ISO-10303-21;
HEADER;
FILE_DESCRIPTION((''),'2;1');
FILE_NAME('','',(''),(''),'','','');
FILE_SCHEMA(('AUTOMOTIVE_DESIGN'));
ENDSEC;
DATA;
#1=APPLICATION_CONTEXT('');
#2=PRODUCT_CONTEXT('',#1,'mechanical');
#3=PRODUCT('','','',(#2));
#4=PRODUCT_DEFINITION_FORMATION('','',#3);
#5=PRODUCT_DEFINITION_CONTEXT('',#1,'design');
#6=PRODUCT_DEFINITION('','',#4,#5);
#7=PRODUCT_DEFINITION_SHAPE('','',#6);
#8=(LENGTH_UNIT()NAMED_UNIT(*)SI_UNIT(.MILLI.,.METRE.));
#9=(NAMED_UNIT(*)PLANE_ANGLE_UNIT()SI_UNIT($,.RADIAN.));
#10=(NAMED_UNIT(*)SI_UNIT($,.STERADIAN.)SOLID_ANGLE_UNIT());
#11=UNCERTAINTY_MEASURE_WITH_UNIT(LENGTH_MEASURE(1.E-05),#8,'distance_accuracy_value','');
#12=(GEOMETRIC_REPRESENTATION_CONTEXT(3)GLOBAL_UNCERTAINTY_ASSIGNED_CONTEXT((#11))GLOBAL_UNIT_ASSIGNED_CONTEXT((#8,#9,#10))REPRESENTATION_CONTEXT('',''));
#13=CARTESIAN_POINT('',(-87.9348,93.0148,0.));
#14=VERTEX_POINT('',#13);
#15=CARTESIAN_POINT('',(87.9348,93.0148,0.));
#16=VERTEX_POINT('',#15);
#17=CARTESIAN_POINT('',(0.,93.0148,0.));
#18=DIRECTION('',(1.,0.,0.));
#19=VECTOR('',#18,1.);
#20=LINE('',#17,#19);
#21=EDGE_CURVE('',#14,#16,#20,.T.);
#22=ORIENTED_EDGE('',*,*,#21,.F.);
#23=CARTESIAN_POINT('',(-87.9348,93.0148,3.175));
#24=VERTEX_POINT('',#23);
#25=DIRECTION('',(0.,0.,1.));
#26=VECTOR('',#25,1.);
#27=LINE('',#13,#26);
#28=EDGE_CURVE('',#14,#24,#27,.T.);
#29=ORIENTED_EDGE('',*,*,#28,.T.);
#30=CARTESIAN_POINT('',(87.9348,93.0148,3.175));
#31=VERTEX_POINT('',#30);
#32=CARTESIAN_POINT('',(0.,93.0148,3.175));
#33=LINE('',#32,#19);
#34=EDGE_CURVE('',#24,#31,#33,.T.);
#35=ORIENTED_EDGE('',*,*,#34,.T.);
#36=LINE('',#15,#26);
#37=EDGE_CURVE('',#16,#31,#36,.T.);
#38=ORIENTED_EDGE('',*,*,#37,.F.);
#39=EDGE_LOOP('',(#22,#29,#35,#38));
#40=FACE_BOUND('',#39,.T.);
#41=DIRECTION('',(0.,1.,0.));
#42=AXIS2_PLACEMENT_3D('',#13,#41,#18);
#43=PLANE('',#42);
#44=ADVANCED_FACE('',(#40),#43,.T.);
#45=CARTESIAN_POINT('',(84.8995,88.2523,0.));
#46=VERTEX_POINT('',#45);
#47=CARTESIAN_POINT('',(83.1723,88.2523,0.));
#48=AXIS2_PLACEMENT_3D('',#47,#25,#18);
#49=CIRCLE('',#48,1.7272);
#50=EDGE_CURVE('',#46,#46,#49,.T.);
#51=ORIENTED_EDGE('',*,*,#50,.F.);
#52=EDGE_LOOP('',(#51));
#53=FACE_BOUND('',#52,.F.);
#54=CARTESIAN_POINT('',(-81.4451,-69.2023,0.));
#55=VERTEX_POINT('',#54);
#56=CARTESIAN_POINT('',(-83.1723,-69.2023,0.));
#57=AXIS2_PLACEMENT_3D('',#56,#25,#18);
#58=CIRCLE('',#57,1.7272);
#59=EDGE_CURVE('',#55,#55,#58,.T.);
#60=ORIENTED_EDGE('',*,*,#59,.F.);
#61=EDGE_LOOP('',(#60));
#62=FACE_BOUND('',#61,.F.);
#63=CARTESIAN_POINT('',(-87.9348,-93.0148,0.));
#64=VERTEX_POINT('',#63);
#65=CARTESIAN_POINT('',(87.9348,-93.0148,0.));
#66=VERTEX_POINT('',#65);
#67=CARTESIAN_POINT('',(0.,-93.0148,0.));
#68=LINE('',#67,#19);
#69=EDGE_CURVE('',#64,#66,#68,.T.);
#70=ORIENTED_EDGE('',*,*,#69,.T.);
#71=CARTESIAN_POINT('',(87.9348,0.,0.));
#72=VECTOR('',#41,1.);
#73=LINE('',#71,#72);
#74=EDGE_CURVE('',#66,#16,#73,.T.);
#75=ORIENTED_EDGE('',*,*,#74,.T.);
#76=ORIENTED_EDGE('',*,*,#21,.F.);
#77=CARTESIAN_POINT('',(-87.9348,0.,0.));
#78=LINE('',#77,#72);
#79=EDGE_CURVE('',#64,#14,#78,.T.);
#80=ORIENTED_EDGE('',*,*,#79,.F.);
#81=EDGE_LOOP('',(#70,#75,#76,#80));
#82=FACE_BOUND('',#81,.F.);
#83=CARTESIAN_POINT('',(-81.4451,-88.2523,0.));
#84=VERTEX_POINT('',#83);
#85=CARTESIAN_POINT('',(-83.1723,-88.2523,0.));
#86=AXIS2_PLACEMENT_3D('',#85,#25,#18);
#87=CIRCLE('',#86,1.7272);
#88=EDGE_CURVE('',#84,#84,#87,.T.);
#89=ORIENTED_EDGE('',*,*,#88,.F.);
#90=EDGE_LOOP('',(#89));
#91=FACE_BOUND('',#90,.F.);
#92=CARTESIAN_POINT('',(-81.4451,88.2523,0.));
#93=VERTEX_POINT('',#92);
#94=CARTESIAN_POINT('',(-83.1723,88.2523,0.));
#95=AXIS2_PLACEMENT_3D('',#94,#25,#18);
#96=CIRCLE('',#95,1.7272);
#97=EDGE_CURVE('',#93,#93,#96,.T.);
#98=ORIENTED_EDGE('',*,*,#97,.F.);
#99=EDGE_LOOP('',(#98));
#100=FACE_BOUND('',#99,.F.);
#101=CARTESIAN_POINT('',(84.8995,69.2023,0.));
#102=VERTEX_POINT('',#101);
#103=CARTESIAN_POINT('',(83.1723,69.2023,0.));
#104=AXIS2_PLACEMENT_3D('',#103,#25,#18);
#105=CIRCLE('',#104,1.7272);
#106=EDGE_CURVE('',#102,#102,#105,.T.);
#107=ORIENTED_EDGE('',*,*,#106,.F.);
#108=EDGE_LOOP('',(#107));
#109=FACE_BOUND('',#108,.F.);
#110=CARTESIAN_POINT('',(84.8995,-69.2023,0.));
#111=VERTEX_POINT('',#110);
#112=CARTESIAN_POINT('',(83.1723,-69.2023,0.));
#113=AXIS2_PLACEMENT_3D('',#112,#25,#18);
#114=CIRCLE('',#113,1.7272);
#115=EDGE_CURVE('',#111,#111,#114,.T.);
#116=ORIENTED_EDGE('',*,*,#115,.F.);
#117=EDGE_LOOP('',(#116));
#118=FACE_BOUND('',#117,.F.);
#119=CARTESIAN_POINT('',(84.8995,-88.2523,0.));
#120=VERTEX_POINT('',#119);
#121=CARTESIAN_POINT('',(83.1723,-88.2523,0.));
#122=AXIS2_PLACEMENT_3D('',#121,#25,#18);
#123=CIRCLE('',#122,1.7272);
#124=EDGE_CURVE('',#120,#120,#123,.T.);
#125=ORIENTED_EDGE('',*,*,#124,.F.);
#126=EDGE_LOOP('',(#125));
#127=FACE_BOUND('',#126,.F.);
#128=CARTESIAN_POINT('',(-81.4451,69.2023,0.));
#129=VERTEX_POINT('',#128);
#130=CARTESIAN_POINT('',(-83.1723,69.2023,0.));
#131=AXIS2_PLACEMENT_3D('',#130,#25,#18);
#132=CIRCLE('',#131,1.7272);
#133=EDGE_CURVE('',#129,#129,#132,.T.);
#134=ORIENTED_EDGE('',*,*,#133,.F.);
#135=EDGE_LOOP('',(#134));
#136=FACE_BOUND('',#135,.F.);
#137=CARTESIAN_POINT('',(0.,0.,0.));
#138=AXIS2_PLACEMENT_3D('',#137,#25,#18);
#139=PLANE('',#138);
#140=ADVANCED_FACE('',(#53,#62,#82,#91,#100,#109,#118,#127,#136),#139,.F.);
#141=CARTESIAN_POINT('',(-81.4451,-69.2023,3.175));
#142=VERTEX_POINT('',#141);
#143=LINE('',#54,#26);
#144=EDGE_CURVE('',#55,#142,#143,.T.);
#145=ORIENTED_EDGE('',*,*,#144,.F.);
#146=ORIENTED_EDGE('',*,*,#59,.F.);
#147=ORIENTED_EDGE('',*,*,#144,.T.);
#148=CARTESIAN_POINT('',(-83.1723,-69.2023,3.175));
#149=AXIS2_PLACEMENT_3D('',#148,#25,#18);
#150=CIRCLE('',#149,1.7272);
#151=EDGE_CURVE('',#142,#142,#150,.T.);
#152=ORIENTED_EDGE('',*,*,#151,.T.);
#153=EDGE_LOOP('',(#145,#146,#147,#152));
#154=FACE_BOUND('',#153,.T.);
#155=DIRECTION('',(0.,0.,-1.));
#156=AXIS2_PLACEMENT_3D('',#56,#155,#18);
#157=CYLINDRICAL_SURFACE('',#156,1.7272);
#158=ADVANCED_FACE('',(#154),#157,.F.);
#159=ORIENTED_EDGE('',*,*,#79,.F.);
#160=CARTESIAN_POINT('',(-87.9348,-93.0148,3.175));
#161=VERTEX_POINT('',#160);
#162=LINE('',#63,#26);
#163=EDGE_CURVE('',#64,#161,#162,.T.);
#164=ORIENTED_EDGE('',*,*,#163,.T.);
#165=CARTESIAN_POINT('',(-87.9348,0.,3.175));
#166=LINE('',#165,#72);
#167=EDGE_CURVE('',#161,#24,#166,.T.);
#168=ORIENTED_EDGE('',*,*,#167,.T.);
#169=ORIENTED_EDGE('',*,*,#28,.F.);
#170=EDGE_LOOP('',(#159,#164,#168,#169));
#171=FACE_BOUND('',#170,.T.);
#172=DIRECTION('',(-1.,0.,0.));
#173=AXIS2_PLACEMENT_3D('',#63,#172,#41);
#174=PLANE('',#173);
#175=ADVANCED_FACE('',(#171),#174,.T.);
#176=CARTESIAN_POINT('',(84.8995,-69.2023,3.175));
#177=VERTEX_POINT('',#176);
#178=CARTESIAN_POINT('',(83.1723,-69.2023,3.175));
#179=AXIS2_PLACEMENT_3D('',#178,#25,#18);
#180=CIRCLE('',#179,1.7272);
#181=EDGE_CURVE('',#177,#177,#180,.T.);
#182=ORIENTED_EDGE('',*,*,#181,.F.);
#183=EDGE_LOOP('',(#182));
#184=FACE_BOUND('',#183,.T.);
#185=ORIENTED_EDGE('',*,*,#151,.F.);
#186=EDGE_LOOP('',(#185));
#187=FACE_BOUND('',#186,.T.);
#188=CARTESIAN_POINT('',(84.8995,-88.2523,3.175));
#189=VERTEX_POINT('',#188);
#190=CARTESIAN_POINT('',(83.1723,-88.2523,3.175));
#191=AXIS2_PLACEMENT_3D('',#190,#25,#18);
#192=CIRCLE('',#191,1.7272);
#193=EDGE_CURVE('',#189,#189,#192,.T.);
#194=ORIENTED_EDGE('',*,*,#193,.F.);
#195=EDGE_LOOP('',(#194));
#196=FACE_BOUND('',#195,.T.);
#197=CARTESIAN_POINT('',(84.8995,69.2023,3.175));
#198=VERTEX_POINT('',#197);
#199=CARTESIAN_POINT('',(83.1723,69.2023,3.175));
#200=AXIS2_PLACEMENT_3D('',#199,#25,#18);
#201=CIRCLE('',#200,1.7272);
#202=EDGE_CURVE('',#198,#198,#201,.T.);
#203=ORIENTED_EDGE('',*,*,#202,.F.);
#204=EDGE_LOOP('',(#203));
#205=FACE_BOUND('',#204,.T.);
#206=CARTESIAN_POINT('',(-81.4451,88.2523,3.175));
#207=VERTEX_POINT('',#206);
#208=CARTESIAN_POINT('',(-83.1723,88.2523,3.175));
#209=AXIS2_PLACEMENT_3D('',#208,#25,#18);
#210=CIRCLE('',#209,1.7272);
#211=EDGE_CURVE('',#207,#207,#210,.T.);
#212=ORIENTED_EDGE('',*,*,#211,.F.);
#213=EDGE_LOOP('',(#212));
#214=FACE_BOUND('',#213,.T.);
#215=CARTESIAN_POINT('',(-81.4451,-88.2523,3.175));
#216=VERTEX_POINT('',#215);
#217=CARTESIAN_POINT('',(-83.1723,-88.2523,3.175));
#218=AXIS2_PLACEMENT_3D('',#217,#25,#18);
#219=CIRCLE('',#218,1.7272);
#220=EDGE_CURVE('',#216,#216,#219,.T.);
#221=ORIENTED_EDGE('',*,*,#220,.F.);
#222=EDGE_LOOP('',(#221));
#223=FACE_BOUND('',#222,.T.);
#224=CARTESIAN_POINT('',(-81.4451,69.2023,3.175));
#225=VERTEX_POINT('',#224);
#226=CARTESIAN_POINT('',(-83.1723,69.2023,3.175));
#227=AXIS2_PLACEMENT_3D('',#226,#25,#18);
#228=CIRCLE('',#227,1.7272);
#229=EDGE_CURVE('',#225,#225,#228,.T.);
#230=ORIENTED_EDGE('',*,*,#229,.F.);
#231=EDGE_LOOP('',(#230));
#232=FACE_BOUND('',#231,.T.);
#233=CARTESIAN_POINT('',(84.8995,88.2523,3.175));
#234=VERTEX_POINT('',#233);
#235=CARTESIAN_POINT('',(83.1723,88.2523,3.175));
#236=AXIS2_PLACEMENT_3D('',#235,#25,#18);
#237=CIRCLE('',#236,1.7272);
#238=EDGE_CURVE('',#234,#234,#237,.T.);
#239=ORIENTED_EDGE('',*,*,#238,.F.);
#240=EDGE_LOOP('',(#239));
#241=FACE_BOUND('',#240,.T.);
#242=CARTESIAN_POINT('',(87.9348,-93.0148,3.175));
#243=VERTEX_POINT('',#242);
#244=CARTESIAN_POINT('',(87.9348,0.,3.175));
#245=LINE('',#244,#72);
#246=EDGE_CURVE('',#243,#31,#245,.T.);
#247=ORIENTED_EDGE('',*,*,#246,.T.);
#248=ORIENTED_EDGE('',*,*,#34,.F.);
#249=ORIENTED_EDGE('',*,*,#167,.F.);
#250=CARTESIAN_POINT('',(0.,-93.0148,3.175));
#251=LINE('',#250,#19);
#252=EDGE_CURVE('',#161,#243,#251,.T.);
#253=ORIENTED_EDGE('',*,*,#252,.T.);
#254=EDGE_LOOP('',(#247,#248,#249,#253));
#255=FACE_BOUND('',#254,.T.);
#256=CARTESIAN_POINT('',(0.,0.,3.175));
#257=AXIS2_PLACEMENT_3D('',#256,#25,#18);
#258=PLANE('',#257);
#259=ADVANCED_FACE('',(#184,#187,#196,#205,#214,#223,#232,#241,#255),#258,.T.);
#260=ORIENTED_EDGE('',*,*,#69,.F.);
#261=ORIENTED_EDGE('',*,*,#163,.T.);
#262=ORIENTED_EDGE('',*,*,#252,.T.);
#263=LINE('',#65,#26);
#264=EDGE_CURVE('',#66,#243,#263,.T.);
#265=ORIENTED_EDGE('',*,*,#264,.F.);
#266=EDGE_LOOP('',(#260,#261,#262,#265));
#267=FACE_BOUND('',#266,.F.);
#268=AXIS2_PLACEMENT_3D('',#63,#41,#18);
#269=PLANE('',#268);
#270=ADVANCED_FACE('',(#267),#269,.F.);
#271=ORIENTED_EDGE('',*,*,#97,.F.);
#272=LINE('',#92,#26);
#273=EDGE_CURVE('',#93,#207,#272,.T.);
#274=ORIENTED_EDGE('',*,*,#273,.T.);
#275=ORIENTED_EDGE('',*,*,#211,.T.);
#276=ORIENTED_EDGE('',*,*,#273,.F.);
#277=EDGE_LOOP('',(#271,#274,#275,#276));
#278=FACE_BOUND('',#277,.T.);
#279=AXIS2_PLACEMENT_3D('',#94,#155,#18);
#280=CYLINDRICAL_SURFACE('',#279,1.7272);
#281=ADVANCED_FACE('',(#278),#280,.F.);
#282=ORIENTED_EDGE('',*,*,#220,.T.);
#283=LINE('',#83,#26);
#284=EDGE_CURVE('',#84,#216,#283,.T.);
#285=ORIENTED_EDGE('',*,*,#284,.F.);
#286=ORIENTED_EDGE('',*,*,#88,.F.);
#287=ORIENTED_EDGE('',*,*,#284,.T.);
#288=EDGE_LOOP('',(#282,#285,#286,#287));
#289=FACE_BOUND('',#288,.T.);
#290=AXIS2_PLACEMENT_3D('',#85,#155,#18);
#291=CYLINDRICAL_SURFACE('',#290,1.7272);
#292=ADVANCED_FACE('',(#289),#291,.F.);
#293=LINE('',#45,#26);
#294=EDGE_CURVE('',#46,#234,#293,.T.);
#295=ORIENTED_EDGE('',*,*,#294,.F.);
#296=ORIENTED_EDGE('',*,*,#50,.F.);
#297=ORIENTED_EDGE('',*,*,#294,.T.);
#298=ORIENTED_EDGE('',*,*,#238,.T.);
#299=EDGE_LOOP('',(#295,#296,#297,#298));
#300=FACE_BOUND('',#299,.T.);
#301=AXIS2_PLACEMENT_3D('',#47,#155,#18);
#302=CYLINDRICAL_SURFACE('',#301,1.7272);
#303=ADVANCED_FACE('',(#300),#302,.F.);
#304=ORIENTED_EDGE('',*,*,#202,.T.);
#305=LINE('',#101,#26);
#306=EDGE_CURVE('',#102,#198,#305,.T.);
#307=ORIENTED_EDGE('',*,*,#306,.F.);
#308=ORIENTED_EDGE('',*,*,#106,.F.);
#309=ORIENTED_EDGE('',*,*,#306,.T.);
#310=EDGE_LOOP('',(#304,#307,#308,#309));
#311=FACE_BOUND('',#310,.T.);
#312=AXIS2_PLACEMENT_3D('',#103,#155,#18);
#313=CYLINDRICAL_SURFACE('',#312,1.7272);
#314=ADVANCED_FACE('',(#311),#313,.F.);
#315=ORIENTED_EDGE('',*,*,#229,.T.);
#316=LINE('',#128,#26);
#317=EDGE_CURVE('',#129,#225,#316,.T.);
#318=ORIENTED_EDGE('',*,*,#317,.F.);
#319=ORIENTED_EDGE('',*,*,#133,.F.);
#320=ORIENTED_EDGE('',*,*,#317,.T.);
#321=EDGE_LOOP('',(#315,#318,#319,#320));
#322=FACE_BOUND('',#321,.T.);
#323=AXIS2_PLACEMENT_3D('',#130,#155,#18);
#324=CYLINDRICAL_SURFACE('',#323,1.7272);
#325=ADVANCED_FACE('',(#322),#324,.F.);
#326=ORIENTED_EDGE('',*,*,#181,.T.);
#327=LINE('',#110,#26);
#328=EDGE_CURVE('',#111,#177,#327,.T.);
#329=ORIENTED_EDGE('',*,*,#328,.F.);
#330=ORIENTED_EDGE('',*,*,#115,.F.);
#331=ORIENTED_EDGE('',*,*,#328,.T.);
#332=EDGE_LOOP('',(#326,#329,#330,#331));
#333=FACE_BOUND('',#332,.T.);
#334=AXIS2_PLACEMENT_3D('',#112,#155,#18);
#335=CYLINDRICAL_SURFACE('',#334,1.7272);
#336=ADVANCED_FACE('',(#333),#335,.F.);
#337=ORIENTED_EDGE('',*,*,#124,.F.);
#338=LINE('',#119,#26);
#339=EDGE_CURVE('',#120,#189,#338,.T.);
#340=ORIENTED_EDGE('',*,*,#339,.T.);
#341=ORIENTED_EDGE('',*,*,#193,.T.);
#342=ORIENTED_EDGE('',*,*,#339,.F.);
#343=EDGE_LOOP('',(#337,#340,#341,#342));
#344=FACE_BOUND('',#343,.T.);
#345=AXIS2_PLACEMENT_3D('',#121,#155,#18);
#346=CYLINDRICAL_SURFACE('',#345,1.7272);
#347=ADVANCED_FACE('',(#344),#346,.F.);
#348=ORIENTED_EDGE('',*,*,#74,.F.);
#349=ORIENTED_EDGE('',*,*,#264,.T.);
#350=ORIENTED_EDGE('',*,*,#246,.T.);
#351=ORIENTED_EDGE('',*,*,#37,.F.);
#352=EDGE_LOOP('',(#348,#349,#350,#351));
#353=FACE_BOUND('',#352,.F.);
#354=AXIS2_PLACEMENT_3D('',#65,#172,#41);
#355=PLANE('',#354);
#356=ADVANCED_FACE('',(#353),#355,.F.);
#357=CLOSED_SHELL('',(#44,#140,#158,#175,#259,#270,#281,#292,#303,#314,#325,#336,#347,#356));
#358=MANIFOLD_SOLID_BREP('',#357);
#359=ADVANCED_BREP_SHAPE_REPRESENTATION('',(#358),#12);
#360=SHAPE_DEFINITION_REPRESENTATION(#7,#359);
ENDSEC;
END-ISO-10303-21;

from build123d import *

# Parameters (mm, degrees)
F0_W     = 175.8696
F0_H     = 186.0296
F0_R     = 1.7272
F1_DEPTH = 3.175


with BuildPart() as f1:
    # F0 (on Top) → F1 (new body)
    with BuildSketch(Plane.XY):
        Rectangle(F0_W, F0_H)
        with Locations((-83.1723, -88.2523)):
            Circle(F0_R, mode=Mode.SUBTRACT)
        with Locations((-83.1723, -69.2023)):
            Circle(F0_R, mode=Mode.SUBTRACT)
        with Locations((83.1723, -88.2523)):
            Circle(F0_R, mode=Mode.SUBTRACT)
        with Locations((83.1723, -69.2023)):
            Circle(F0_R, mode=Mode.SUBTRACT)
        with Locations((-83.1723, 69.2023)):
            Circle(F0_R, mode=Mode.SUBTRACT)
        with Locations((-83.1723, 88.2523)):
            Circle(F0_R, mode=Mode.SUBTRACT)
        with Locations((83.1723, 69.2023)):
            Circle(F0_R, mode=Mode.SUBTRACT)
        with Locations((83.1723, 88.2523)):
            Circle(F0_R, mode=Mode.SUBTRACT)
    extrude(amount=F1_DEPTH)


solid = f1.part
